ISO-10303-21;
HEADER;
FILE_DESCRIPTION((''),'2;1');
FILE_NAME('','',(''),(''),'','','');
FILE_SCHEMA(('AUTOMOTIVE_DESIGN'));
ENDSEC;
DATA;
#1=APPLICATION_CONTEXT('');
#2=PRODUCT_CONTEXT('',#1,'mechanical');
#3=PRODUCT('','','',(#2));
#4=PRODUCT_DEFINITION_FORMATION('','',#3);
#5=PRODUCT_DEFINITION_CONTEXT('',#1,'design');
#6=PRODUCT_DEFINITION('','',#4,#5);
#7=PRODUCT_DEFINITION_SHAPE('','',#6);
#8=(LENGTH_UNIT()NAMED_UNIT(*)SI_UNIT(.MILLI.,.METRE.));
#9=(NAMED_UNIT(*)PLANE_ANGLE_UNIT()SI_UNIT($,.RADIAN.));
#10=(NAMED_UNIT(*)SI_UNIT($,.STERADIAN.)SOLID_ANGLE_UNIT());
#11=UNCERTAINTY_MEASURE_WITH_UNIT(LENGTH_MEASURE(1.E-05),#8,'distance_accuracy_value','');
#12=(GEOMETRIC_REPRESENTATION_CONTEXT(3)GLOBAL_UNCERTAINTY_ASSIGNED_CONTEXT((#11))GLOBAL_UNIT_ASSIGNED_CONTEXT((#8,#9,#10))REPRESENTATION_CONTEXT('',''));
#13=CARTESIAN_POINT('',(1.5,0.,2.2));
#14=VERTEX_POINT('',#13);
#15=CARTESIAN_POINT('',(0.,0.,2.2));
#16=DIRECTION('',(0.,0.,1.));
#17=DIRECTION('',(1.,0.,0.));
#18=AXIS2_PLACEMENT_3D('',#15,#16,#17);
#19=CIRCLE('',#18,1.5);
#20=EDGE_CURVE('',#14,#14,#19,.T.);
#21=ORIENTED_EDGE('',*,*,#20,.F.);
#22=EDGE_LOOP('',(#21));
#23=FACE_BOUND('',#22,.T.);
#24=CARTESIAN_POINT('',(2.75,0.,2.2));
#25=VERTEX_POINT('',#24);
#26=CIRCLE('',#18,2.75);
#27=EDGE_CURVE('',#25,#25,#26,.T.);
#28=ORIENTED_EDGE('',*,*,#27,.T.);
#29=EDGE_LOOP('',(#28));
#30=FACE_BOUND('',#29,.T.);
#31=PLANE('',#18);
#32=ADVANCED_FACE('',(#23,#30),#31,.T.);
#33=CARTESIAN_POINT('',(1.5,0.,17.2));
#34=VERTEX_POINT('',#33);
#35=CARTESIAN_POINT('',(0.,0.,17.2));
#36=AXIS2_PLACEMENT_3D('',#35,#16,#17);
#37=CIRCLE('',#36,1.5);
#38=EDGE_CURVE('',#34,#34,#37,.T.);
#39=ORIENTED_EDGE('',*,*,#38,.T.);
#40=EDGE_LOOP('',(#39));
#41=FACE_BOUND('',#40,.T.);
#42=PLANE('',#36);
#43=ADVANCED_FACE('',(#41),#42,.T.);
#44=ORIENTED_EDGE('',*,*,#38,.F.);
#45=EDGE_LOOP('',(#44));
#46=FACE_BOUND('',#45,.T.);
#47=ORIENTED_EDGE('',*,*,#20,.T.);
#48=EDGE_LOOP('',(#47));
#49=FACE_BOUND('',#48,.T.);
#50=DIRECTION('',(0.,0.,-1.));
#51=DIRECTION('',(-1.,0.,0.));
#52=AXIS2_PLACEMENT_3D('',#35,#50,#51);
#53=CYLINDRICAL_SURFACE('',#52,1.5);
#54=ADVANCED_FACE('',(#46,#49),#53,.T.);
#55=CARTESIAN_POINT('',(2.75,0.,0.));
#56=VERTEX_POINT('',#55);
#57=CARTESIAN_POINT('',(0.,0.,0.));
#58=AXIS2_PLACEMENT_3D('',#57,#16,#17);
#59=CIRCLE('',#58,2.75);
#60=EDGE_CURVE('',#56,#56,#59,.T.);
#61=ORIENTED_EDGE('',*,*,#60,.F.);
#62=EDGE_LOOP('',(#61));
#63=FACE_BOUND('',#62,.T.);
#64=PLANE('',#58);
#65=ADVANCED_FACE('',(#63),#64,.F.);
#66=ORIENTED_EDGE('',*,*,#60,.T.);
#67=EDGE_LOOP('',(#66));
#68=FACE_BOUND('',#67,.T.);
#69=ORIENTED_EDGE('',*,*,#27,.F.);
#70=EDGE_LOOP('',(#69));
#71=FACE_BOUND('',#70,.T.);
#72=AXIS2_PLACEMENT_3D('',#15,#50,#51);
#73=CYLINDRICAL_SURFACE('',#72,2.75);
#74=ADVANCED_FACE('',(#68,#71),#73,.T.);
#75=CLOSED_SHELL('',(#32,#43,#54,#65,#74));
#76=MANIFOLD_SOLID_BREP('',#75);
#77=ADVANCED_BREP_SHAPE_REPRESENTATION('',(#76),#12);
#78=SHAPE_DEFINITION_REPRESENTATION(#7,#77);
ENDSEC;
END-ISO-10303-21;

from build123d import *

# Parameters (mm, degrees)
SKETCH_1_R      = 2.75
EXTRUDE_1_DEPTH = 2.2
SKETCH_2_R      = 1.5
EXTRUDE_2_DEPTH = 15


with BuildPart() as part:
    # 草图1 → 凸台-拉伸1 (new body)
    with BuildSketch(Plane.XY):
        Circle(SKETCH_1_R)
    extrude(amount=EXTRUDE_1_DEPTH)

    # 草图2 → 凸台-拉伸2 (add)
    with BuildSketch(Plane.XY.offset(2.2)):
        Circle(SKETCH_2_R)
    extrude(amount=EXTRUDE_2_DEPTH)


solid = part.part
